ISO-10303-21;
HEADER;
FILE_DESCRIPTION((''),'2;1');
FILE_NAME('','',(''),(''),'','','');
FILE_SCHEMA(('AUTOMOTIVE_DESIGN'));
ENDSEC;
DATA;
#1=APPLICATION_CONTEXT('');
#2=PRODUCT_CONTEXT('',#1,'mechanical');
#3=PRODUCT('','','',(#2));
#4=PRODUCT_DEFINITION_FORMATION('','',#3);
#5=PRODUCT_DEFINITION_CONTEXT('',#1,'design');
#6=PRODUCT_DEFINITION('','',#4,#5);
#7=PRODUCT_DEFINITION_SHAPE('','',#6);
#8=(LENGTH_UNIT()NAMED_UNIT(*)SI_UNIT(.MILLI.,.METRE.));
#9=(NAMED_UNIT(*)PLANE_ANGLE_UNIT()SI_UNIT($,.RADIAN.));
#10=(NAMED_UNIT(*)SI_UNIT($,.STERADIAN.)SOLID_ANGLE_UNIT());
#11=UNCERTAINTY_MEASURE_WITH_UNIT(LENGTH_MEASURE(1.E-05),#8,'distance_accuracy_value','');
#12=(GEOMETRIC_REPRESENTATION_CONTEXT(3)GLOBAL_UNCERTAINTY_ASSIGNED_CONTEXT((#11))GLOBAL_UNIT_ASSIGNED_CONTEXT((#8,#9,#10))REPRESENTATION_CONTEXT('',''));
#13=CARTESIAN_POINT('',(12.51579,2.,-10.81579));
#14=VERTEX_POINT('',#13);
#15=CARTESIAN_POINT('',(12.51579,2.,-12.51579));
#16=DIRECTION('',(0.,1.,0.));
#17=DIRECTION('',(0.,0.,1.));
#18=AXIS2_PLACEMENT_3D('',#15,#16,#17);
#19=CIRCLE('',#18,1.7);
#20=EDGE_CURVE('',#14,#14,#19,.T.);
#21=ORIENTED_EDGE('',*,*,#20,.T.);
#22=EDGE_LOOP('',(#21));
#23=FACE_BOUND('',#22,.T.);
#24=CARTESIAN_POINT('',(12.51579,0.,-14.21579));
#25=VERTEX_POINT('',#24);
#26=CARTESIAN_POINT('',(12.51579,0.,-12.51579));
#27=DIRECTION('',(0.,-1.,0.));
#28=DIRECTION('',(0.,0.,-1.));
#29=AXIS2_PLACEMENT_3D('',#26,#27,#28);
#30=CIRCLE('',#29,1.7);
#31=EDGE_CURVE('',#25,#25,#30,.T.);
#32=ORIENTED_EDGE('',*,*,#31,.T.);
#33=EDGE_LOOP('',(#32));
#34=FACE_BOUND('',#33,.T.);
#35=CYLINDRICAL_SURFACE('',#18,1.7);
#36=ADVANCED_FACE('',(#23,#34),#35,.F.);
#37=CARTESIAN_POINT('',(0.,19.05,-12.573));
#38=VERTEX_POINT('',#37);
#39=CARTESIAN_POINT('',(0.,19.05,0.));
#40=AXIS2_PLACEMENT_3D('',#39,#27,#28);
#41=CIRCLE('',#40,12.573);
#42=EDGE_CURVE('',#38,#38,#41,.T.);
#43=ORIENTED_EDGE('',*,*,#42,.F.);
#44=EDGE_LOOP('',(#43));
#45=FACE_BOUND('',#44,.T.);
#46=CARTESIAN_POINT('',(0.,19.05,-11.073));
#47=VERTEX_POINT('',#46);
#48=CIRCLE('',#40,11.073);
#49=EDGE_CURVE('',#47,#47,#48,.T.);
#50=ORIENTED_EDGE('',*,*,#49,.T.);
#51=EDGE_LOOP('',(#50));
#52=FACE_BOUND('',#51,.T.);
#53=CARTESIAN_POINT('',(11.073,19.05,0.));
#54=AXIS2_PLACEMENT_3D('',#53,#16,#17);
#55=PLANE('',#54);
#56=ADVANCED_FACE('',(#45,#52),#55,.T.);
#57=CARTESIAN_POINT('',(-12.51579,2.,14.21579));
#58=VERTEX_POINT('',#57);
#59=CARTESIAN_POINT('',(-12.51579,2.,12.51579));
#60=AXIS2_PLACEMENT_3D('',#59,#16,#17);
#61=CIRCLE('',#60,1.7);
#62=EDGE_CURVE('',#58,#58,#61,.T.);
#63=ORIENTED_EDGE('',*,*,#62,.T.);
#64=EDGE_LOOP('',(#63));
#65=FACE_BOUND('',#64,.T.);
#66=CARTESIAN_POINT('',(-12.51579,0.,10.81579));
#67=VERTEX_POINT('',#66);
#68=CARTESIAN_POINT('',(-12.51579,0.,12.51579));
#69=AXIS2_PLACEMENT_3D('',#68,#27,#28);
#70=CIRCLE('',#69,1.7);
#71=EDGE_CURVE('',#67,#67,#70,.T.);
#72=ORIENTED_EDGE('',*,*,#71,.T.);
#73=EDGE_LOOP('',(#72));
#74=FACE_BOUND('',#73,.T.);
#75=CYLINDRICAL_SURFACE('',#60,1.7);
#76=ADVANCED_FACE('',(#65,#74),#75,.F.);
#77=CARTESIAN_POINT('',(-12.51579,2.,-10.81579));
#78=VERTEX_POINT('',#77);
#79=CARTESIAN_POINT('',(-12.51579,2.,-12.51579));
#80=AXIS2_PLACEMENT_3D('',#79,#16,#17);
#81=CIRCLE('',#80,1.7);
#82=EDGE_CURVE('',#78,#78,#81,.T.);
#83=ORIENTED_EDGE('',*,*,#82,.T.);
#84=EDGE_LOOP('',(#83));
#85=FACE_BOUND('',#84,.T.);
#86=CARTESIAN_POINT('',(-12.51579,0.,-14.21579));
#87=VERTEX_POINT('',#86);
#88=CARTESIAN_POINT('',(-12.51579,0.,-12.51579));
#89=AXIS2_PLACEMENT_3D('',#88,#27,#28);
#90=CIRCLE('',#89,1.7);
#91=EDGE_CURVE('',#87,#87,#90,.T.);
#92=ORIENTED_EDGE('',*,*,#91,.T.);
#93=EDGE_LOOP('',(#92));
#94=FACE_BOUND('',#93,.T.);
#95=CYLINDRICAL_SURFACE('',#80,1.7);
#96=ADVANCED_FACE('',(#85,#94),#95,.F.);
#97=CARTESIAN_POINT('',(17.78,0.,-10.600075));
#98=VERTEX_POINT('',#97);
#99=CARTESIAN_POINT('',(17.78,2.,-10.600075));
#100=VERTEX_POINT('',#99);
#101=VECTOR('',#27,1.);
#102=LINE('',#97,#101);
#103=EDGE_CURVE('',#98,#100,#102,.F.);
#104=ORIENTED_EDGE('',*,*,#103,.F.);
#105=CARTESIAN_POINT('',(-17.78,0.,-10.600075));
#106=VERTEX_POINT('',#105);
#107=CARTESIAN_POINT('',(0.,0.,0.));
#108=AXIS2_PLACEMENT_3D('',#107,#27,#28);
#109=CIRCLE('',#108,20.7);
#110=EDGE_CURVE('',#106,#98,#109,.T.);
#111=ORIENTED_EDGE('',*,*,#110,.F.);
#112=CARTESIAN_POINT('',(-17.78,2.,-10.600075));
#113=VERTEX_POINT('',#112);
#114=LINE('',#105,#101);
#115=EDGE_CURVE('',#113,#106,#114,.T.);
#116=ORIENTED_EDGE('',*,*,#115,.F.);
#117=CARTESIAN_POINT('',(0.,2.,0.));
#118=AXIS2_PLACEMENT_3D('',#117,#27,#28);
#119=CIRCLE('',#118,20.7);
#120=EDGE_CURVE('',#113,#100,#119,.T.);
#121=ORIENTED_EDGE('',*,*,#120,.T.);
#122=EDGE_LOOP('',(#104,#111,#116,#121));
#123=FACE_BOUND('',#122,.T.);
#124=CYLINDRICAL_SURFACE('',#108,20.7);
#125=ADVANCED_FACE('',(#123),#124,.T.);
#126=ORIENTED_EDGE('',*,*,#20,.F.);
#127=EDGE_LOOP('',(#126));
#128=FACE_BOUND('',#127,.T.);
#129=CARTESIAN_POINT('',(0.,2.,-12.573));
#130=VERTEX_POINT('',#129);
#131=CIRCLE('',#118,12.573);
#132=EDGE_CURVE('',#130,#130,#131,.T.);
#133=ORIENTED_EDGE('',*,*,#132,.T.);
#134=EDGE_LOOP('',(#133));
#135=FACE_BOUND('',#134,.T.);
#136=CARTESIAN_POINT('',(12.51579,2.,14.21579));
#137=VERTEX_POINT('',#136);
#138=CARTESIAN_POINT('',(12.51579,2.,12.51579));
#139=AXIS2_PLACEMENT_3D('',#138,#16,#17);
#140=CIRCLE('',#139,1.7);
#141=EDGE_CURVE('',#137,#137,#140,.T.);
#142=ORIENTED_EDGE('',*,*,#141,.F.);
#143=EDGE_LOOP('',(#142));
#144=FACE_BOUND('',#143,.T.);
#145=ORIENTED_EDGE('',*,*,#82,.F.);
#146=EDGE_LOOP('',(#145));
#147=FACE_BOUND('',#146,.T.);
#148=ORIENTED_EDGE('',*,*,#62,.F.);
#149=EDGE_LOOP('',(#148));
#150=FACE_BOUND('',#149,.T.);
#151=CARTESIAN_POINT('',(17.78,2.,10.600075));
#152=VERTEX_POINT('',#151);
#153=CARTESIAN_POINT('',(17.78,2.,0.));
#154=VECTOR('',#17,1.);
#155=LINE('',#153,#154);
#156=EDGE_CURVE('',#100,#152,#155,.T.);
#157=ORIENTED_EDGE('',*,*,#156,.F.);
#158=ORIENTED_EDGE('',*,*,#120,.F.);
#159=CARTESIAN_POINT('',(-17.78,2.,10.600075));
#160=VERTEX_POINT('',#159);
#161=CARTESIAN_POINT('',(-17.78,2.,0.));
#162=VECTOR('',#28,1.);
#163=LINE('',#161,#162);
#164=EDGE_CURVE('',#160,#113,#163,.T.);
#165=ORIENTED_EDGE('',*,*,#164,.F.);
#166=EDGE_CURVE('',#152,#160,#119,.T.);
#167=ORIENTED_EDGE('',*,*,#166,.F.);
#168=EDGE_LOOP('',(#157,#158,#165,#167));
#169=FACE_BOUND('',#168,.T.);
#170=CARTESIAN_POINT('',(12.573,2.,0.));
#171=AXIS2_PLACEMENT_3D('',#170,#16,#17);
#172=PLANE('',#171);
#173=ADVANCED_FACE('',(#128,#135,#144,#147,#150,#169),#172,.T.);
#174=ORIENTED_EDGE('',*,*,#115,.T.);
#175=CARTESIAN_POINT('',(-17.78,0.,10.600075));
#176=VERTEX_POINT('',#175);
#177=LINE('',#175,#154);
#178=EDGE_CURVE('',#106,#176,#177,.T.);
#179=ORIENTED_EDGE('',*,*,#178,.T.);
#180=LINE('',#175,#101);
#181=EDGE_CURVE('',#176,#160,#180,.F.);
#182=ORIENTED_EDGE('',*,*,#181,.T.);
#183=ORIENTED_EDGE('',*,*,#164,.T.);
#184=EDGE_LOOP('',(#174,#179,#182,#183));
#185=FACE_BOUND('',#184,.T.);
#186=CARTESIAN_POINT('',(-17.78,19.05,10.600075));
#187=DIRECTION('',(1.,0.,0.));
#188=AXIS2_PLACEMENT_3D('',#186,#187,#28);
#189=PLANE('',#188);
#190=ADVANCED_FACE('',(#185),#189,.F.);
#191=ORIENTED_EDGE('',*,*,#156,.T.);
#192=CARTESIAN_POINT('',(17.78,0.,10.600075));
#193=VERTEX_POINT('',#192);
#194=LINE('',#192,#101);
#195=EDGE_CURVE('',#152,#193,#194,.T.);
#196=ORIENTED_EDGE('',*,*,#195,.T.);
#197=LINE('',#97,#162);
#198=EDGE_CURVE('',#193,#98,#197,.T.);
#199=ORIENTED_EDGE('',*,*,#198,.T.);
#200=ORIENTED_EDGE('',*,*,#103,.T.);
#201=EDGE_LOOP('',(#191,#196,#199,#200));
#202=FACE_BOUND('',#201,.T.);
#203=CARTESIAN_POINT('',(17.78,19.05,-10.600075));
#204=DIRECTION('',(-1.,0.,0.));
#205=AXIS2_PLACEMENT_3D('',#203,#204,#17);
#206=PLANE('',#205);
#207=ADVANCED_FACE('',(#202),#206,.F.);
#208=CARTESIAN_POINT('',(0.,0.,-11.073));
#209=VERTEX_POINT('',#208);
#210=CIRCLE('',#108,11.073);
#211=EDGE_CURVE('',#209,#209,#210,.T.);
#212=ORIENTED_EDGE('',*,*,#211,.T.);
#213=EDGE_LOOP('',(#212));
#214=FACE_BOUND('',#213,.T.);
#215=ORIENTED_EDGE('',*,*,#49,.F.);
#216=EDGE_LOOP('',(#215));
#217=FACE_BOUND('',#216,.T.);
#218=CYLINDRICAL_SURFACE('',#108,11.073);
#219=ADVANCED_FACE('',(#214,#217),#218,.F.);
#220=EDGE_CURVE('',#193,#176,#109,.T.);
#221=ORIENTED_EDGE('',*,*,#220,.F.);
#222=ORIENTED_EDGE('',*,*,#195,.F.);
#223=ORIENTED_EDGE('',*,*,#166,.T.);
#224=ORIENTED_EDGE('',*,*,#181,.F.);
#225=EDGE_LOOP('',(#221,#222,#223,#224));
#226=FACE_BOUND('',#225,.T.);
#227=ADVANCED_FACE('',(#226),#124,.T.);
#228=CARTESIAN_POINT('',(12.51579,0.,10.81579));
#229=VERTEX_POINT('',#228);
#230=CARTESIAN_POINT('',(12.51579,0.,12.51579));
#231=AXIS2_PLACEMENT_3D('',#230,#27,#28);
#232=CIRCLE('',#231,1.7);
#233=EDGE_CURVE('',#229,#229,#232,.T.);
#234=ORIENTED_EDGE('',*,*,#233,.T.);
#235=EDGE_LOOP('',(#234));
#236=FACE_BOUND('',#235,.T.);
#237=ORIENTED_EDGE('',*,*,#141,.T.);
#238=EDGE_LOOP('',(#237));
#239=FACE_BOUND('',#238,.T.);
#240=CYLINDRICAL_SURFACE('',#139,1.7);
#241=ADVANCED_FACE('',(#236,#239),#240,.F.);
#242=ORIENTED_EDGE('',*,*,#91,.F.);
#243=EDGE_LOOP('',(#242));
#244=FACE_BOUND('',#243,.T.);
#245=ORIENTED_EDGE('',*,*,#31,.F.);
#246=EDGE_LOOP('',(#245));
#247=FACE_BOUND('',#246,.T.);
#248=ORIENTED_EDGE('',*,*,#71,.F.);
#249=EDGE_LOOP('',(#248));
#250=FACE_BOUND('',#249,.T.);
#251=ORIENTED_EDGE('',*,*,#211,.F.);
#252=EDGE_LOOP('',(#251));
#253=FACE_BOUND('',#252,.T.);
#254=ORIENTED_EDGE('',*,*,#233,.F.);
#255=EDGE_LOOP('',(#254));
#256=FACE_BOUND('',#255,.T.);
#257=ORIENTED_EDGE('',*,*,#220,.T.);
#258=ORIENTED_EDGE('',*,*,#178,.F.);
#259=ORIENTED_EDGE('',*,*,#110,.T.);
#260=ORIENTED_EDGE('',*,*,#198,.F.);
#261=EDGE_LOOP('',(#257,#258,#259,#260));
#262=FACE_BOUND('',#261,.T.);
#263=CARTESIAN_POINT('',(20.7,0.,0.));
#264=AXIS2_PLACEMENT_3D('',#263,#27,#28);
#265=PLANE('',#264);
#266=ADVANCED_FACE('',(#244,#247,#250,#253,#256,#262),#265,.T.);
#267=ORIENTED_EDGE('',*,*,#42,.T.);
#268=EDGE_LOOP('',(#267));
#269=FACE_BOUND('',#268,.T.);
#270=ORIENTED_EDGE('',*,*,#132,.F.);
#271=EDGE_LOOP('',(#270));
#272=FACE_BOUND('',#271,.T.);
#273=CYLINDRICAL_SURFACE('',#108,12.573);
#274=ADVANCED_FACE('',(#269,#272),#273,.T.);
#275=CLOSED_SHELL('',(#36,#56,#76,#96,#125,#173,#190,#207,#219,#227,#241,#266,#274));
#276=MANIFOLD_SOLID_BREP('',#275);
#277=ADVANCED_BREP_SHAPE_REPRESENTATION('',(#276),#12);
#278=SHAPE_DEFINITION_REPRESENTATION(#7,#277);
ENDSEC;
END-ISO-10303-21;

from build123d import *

# Parameters (mm, degrees)
CUT_EXTRUDE2_DEPTH       = 35.926816345
M3_CLEARANCE_HOLE1_D     = 3.4
M3_CLEARANCE_HOLE1_DEPTH = 12.7


with BuildPart() as part:
    # Sketch1 → Revolve1 (revolve)
    with BuildSketch(Plane.XY, mode=Mode.PRIVATE) as revolve1_sk:
        Polygon((12.573, 2), (20.7, 2), (20.7, 0), (11.073, 0), (11.073, 19.05), (12.573, 19.05), align=None)
    revolve(revolve1_sk.sketch.rotate(Axis((0, 0, 0), (0, 1, 0)), 90), axis=Axis((0, 0, 0), (0, 1, 0)))

    # Sketch3 → Cut-Extrude2 (cut, through all)
    with BuildSketch(Plane.XZ):
        with BuildLine():
            Line((-17.78, 10.600075471), (-17.78, -10.600075471))
            ThreePointArc((-17.78, -10.600075471), (-20.7, 0), (-17.78, 10.600075471))
        make_face()
        with BuildLine():
            Line((17.78, -10.600075471), (17.78, 10.600075471))
            ThreePointArc((17.78, 10.600075471), (20.7, 0), (17.78, -10.600075471))
        make_face()
    extrude(amount=-CUT_EXTRUDE2_DEPTH, mode=Mode.SUBTRACT)

    # M3 Clearance Hole1
    with Locations(Plane(origin=(12.515790027, 2, 12.515790027), x_dir=(0, 0, 1), z_dir=(0, 1, 0))):
        with Locations((0, 0), (0, -25.031580054), (-25.031580054, -25.031580054), (-25.031580054, 0)):
            Hole(M3_CLEARANCE_HOLE1_D / 2, depth=M3_CLEARANCE_HOLE1_DEPTH)


solid = part.part
